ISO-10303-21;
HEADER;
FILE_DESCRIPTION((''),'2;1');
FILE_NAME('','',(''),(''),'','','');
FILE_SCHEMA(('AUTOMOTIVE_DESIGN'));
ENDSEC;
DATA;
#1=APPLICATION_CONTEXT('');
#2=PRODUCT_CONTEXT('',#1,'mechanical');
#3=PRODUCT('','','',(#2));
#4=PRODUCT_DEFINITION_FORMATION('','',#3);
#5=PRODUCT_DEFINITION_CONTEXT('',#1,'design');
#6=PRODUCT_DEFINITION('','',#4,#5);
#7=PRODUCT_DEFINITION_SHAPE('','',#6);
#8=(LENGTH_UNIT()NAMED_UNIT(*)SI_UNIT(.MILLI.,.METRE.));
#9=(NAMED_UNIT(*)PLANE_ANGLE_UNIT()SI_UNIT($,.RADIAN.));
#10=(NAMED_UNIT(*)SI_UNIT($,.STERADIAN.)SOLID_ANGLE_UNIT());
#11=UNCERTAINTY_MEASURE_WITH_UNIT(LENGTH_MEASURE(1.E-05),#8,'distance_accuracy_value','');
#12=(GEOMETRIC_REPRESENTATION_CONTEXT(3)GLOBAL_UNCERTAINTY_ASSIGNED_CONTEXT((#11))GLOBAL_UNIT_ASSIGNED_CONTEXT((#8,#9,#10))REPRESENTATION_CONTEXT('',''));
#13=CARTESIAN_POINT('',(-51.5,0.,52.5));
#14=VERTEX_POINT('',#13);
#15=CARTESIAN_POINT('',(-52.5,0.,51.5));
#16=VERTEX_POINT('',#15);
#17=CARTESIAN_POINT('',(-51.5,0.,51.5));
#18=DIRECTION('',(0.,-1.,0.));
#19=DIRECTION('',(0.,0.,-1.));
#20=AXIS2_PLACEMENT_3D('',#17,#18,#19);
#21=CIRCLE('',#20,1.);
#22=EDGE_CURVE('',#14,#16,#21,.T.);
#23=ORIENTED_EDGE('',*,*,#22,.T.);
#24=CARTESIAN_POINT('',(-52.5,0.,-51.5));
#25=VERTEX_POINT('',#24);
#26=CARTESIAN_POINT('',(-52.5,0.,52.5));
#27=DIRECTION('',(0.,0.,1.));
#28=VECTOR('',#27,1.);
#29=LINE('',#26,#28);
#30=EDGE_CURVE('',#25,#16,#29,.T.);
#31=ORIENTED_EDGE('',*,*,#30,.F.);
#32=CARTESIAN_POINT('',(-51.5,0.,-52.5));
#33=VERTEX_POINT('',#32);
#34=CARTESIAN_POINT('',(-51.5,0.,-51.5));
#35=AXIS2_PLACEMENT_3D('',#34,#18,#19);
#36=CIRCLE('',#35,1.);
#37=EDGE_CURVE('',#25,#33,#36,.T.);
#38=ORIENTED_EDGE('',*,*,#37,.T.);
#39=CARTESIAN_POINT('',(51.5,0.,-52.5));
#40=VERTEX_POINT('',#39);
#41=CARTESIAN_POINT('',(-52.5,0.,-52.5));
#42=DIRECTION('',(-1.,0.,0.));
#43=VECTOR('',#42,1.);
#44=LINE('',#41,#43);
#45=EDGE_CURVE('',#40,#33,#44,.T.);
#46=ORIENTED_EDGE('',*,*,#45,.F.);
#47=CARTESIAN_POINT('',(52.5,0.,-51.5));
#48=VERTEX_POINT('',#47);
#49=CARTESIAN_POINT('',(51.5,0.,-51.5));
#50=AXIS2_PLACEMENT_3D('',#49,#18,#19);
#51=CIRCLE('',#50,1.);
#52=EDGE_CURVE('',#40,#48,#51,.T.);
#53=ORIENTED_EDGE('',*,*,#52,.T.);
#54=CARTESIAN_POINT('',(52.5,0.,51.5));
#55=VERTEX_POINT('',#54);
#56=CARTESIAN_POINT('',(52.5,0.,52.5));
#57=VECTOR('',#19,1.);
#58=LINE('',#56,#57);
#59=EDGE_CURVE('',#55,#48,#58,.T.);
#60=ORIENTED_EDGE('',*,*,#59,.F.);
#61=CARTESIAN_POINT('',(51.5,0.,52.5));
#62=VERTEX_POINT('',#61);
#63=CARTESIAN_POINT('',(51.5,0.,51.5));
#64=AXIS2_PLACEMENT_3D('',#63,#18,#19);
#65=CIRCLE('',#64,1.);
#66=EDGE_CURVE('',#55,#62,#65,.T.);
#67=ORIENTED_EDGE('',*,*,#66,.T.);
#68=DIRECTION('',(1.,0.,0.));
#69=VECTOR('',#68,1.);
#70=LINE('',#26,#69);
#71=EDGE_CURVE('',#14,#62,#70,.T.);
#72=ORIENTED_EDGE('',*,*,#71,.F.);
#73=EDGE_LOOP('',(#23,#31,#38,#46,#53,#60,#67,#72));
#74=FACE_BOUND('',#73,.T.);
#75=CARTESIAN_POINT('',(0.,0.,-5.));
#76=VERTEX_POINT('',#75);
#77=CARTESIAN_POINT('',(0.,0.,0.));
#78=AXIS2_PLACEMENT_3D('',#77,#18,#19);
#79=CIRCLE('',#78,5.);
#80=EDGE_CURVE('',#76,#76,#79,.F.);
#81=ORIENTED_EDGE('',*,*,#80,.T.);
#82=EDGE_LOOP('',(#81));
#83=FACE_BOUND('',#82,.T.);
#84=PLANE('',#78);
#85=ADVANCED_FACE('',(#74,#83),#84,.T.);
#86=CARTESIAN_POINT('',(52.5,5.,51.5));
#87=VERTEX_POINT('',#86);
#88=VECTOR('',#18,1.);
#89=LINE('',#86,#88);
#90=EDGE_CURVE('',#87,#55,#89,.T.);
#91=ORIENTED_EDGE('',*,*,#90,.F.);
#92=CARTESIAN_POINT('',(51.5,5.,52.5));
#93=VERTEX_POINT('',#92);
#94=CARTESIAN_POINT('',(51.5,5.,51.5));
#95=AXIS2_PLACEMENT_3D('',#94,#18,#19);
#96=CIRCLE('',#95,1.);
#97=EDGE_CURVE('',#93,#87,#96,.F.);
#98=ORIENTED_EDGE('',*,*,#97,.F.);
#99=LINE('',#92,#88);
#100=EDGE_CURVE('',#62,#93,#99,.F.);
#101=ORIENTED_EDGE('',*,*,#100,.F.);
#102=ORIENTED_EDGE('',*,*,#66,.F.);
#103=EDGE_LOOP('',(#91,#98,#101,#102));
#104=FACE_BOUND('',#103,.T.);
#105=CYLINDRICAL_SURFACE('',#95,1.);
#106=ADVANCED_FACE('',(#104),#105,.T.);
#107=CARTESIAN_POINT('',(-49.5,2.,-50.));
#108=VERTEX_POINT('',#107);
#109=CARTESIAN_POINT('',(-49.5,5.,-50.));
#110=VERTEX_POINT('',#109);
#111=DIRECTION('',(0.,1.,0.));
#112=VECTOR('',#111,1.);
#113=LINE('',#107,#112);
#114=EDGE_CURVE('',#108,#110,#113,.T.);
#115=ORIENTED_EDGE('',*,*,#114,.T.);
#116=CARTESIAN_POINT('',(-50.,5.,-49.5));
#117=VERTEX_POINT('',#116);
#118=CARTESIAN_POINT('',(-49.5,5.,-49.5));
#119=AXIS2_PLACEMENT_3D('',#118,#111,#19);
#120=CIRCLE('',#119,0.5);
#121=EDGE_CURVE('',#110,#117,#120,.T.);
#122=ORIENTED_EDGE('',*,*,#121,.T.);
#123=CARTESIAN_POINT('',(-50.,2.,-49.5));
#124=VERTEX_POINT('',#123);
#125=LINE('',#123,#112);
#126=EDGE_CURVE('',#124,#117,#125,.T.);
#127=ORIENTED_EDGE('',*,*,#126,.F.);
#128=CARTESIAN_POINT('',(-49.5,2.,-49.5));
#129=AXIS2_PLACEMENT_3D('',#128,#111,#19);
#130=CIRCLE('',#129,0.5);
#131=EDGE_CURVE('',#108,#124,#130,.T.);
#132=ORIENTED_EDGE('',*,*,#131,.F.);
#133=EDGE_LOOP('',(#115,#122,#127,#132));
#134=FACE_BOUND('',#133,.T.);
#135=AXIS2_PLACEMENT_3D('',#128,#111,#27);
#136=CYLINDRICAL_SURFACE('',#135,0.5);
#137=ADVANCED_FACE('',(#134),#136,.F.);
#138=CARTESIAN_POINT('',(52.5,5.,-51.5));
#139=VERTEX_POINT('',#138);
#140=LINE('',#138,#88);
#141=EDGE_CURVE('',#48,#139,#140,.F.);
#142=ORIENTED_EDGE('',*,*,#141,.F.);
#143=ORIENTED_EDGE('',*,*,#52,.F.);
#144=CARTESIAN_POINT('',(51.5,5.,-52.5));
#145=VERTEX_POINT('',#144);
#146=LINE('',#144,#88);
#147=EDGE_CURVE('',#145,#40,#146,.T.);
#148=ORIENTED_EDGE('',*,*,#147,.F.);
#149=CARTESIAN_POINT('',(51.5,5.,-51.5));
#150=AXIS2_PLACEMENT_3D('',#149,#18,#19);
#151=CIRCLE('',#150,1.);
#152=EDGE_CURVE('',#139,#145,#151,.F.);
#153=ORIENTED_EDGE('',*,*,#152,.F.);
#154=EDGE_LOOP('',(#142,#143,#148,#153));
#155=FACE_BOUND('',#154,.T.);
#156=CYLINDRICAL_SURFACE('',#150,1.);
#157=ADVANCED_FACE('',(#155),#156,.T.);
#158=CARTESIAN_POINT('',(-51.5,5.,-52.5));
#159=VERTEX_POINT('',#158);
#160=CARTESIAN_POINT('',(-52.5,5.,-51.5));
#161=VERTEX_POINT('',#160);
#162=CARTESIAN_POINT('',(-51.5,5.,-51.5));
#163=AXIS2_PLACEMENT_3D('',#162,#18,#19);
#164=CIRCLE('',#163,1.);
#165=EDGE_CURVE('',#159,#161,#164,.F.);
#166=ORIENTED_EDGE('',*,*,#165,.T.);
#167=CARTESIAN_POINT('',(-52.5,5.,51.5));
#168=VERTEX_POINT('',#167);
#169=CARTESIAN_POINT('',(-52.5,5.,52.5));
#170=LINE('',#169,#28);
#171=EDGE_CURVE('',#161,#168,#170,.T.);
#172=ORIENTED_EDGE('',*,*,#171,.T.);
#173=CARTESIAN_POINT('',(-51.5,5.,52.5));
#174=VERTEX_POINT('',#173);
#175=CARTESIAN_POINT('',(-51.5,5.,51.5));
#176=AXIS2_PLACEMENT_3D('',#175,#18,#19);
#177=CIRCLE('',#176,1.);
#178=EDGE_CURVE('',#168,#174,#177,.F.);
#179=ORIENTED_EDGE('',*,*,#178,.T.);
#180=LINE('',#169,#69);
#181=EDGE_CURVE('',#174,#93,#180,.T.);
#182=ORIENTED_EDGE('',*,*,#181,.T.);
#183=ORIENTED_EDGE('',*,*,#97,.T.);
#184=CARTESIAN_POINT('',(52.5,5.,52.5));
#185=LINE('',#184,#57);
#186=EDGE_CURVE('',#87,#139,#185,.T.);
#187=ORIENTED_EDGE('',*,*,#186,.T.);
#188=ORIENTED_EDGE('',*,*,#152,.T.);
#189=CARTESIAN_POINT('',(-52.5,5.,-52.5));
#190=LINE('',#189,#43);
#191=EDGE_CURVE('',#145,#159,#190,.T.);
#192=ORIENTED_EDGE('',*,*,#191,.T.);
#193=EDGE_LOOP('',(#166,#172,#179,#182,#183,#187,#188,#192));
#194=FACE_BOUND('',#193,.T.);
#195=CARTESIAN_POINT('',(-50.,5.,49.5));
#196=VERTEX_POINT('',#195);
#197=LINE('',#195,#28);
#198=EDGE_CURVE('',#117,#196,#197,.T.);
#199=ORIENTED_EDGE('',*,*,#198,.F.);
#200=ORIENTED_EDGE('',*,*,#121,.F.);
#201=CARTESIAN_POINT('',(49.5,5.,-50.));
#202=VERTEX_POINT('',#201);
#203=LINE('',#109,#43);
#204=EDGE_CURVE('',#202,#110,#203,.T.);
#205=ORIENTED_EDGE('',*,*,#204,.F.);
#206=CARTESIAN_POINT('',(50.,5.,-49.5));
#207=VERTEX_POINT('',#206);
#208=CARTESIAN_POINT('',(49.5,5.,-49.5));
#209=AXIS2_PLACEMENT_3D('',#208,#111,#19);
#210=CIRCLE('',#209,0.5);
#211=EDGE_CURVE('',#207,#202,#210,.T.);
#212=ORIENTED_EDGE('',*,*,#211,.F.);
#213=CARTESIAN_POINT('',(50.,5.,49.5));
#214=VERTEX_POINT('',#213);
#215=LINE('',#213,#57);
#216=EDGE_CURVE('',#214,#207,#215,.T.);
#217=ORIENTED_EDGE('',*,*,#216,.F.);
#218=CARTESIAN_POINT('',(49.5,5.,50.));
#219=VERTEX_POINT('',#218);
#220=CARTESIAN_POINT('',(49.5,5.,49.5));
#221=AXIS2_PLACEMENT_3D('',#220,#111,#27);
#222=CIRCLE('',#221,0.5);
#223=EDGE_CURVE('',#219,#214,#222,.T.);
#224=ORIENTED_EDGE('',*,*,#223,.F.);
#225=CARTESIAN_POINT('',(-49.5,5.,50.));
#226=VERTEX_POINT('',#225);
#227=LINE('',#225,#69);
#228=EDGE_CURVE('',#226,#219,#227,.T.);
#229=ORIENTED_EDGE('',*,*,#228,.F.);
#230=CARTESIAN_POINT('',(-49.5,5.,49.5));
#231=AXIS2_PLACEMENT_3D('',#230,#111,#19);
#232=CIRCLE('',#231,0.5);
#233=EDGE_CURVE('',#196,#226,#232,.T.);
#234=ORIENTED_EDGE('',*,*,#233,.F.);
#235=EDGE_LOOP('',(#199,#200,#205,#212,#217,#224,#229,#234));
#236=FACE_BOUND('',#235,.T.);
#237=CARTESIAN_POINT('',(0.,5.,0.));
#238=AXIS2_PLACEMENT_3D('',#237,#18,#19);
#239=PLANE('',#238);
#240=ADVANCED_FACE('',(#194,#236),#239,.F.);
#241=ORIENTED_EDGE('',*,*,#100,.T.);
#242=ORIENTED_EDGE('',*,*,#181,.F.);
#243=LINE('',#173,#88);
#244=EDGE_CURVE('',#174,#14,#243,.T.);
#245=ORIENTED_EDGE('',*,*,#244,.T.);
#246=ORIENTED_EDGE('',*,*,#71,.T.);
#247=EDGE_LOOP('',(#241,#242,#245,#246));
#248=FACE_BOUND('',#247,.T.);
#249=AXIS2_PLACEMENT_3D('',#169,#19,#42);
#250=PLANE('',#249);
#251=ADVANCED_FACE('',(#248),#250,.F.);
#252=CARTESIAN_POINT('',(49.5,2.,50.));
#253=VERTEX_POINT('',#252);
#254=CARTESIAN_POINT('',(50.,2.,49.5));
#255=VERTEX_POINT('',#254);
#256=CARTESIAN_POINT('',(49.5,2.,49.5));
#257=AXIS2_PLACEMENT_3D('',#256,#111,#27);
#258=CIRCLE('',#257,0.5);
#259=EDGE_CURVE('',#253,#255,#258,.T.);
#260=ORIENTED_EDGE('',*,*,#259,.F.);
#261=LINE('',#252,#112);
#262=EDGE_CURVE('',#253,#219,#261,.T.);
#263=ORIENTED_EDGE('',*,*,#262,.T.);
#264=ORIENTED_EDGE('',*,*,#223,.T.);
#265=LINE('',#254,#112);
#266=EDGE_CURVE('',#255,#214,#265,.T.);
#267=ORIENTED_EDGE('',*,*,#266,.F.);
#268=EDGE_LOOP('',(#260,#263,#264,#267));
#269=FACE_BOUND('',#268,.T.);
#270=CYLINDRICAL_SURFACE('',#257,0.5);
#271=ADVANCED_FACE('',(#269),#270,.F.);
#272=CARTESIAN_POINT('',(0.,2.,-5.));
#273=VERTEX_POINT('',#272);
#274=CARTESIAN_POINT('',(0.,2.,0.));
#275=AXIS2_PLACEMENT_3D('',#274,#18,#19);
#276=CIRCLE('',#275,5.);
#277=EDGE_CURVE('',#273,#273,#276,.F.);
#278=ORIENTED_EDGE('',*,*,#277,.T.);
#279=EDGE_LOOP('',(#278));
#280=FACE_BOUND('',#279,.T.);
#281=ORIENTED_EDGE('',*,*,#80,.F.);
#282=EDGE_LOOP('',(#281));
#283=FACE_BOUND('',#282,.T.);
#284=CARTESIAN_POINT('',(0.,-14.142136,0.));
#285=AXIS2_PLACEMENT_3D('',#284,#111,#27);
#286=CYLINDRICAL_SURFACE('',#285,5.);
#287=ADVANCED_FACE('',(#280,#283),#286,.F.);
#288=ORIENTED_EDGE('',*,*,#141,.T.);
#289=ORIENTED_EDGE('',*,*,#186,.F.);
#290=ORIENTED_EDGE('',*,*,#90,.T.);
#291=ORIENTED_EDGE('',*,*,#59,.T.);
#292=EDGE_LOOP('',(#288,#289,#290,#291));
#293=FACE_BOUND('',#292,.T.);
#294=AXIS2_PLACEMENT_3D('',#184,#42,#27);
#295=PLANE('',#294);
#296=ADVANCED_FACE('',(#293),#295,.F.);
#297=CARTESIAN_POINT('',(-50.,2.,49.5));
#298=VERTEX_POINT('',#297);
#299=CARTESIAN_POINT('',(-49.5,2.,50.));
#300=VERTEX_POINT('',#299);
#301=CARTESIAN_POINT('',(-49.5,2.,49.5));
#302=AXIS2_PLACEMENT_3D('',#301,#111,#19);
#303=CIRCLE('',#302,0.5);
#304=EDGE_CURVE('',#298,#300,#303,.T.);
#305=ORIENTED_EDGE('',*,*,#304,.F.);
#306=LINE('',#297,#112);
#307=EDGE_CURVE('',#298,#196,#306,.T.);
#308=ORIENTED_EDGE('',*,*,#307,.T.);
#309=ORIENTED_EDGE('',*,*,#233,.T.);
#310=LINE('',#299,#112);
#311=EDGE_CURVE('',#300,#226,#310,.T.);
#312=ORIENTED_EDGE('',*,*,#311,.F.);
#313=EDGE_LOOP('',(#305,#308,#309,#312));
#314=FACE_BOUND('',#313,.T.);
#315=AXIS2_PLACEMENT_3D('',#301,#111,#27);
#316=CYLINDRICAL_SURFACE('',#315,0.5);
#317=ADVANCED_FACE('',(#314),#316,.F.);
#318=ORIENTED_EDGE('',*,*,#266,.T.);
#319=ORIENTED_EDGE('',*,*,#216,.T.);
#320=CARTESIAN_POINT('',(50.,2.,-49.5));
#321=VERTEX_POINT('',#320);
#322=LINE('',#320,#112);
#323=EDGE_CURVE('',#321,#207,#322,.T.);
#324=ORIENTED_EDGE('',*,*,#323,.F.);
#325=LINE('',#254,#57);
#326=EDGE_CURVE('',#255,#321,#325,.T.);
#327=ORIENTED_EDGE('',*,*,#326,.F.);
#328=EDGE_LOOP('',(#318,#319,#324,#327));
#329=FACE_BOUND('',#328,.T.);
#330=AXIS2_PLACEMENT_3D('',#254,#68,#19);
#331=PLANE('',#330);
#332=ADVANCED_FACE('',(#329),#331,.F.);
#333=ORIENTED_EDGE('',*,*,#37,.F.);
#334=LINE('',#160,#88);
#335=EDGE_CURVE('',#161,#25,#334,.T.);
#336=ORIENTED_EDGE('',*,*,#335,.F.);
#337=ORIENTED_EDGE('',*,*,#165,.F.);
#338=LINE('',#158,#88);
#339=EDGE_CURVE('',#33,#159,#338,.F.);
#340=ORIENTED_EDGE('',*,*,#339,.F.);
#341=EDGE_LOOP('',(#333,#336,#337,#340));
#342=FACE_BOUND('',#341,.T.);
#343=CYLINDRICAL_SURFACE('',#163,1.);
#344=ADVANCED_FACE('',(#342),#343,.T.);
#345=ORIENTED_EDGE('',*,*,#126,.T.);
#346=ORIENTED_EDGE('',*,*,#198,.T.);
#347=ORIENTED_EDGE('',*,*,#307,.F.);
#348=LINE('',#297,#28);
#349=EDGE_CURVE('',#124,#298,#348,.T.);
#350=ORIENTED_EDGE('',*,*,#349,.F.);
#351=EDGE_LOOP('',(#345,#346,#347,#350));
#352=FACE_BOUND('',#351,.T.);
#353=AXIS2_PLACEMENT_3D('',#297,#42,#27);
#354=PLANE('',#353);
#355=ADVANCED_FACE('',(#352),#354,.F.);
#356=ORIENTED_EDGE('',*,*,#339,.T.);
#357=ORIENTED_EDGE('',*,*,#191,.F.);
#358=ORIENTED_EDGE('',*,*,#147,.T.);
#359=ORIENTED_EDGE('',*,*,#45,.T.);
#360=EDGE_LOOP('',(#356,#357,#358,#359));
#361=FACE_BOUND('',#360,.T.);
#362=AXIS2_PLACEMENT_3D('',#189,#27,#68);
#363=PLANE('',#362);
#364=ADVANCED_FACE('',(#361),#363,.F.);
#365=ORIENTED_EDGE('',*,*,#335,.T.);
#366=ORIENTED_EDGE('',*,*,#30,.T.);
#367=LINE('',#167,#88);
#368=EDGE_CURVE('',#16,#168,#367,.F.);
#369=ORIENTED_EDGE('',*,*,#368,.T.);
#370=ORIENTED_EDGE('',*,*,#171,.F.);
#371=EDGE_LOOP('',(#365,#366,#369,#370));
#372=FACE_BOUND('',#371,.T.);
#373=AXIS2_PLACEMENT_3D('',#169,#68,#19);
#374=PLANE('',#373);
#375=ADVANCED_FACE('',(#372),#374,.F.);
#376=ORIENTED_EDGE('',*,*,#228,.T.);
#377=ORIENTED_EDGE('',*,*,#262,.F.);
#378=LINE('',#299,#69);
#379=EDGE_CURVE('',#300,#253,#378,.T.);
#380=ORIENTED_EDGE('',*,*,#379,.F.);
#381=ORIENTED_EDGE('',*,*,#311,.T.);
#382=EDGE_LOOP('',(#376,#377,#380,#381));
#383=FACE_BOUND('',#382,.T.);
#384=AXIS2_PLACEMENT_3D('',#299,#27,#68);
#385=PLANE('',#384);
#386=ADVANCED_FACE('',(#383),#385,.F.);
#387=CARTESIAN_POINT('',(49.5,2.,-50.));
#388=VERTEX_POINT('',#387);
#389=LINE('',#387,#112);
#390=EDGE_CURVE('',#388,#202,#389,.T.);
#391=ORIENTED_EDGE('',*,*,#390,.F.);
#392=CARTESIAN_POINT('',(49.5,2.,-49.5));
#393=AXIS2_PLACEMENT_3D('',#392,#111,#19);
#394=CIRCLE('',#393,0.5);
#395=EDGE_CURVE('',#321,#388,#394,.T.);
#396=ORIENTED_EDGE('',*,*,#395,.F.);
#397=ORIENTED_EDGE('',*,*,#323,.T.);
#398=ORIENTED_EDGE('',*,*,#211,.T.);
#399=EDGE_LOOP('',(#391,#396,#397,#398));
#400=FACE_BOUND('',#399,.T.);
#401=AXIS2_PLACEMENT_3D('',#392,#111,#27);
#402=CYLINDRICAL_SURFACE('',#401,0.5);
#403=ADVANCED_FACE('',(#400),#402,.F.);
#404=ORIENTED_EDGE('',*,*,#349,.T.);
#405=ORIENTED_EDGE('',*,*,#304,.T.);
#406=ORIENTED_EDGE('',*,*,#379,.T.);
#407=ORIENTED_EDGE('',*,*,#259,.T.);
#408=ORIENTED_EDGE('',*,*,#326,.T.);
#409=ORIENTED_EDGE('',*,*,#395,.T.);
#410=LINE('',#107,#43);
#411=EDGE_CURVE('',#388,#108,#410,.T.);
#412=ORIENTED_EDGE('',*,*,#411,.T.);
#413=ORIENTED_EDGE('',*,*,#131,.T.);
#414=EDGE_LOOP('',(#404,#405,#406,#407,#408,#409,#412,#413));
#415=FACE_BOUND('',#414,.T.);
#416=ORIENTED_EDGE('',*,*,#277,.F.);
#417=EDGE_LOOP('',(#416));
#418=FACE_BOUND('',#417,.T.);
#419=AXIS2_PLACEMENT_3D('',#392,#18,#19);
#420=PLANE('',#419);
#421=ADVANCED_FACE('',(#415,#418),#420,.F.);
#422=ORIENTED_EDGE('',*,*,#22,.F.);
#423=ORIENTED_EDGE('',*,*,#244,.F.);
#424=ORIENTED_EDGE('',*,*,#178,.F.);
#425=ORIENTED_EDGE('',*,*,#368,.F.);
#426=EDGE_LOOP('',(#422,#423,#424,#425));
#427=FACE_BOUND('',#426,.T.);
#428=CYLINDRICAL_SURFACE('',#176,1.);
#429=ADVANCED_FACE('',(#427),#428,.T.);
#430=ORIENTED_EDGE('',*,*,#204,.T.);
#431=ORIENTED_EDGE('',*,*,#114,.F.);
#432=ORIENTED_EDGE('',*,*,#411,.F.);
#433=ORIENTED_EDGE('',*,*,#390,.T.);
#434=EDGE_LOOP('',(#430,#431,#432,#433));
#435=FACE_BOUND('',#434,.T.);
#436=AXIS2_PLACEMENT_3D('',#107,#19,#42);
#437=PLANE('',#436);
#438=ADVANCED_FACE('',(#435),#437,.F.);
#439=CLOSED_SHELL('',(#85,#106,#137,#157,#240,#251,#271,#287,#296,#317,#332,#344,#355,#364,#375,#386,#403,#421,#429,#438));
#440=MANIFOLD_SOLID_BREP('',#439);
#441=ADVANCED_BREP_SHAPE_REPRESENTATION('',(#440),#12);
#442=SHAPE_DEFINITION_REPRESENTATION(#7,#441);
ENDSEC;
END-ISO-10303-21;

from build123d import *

# Parameters (mm, degrees)
SKETCH1_W           = 105
SKETCH1_H           = 105
BOSS_EXTRUDE1_DEPTH = 5
SKETCH2_R           = 5
CUT_EXTRUDE1_DEPTH  = 5
CUT_EXTRUDE2_DEPTH  = 3
FILLET1_R           = 1


with BuildPart() as part:
    # Sketch1 → Boss-Extrude1 (new body)
    with BuildSketch(Plane(origin=(0, 0, 0), x_dir=(1, 0, 0), z_dir=(0, 1, 0))):
        Rectangle(SKETCH1_W, SKETCH1_H)
    extrude(amount=BOSS_EXTRUDE1_DEPTH)

    # Sketch2 → Cut-Extrude1 (cut)
    with BuildSketch(Plane(origin=(0, 5, 0), x_dir=(1, 0, 0), z_dir=(0, 1, 0))):
        with Locations(Location((0, 0, 0), (0, 0, 270))):
            Circle(SKETCH2_R)
    extrude(amount=-CUT_EXTRUDE1_DEPTH, mode=Mode.SUBTRACT)

    # Sketch3 → Cut-Extrude2 (cut)
    with BuildSketch(Plane(origin=(0, 5, 0), x_dir=(1, 0, 0), z_dir=(0, 1, 0))):
        with BuildLine():
            Line((-49.5, -50), (49.5, -50))
            ThreePointArc((49.5, -50), (49.853553391, -49.853553391), (50, -49.5))
            Line((50, -49.5), (50, 49.5))
            ThreePointArc((50, 49.5), (49.853553391, 49.853553391), (49.5, 50))
            Line((49.5, 50), (-49.5, 50))
            ThreePointArc((-49.5, 50), (-49.853553391, 49.853553391), (-50, 49.5))
            Line((-50, 49.5), (-50, -49.5))
            ThreePointArc((-50, -49.5), (-49.853553391, -49.853553391), (-49.5, -50))
        make_face()
    extrude(amount=-CUT_EXTRUDE2_DEPTH, mode=Mode.SUBTRACT)

    # Fillet1
    fillet1_edges = [part.edges().sort_by_distance(p)[0] for p in [
        (52.5, 2.5, 52.5),
        (-52.5, 2.5, 52.5),
        (-52.5, 2.5, -52.5),
        (52.5, 2.5, -52.5),
    ]]
    fillet(fillet1_edges, radius=FILLET1_R)


solid = part.part
